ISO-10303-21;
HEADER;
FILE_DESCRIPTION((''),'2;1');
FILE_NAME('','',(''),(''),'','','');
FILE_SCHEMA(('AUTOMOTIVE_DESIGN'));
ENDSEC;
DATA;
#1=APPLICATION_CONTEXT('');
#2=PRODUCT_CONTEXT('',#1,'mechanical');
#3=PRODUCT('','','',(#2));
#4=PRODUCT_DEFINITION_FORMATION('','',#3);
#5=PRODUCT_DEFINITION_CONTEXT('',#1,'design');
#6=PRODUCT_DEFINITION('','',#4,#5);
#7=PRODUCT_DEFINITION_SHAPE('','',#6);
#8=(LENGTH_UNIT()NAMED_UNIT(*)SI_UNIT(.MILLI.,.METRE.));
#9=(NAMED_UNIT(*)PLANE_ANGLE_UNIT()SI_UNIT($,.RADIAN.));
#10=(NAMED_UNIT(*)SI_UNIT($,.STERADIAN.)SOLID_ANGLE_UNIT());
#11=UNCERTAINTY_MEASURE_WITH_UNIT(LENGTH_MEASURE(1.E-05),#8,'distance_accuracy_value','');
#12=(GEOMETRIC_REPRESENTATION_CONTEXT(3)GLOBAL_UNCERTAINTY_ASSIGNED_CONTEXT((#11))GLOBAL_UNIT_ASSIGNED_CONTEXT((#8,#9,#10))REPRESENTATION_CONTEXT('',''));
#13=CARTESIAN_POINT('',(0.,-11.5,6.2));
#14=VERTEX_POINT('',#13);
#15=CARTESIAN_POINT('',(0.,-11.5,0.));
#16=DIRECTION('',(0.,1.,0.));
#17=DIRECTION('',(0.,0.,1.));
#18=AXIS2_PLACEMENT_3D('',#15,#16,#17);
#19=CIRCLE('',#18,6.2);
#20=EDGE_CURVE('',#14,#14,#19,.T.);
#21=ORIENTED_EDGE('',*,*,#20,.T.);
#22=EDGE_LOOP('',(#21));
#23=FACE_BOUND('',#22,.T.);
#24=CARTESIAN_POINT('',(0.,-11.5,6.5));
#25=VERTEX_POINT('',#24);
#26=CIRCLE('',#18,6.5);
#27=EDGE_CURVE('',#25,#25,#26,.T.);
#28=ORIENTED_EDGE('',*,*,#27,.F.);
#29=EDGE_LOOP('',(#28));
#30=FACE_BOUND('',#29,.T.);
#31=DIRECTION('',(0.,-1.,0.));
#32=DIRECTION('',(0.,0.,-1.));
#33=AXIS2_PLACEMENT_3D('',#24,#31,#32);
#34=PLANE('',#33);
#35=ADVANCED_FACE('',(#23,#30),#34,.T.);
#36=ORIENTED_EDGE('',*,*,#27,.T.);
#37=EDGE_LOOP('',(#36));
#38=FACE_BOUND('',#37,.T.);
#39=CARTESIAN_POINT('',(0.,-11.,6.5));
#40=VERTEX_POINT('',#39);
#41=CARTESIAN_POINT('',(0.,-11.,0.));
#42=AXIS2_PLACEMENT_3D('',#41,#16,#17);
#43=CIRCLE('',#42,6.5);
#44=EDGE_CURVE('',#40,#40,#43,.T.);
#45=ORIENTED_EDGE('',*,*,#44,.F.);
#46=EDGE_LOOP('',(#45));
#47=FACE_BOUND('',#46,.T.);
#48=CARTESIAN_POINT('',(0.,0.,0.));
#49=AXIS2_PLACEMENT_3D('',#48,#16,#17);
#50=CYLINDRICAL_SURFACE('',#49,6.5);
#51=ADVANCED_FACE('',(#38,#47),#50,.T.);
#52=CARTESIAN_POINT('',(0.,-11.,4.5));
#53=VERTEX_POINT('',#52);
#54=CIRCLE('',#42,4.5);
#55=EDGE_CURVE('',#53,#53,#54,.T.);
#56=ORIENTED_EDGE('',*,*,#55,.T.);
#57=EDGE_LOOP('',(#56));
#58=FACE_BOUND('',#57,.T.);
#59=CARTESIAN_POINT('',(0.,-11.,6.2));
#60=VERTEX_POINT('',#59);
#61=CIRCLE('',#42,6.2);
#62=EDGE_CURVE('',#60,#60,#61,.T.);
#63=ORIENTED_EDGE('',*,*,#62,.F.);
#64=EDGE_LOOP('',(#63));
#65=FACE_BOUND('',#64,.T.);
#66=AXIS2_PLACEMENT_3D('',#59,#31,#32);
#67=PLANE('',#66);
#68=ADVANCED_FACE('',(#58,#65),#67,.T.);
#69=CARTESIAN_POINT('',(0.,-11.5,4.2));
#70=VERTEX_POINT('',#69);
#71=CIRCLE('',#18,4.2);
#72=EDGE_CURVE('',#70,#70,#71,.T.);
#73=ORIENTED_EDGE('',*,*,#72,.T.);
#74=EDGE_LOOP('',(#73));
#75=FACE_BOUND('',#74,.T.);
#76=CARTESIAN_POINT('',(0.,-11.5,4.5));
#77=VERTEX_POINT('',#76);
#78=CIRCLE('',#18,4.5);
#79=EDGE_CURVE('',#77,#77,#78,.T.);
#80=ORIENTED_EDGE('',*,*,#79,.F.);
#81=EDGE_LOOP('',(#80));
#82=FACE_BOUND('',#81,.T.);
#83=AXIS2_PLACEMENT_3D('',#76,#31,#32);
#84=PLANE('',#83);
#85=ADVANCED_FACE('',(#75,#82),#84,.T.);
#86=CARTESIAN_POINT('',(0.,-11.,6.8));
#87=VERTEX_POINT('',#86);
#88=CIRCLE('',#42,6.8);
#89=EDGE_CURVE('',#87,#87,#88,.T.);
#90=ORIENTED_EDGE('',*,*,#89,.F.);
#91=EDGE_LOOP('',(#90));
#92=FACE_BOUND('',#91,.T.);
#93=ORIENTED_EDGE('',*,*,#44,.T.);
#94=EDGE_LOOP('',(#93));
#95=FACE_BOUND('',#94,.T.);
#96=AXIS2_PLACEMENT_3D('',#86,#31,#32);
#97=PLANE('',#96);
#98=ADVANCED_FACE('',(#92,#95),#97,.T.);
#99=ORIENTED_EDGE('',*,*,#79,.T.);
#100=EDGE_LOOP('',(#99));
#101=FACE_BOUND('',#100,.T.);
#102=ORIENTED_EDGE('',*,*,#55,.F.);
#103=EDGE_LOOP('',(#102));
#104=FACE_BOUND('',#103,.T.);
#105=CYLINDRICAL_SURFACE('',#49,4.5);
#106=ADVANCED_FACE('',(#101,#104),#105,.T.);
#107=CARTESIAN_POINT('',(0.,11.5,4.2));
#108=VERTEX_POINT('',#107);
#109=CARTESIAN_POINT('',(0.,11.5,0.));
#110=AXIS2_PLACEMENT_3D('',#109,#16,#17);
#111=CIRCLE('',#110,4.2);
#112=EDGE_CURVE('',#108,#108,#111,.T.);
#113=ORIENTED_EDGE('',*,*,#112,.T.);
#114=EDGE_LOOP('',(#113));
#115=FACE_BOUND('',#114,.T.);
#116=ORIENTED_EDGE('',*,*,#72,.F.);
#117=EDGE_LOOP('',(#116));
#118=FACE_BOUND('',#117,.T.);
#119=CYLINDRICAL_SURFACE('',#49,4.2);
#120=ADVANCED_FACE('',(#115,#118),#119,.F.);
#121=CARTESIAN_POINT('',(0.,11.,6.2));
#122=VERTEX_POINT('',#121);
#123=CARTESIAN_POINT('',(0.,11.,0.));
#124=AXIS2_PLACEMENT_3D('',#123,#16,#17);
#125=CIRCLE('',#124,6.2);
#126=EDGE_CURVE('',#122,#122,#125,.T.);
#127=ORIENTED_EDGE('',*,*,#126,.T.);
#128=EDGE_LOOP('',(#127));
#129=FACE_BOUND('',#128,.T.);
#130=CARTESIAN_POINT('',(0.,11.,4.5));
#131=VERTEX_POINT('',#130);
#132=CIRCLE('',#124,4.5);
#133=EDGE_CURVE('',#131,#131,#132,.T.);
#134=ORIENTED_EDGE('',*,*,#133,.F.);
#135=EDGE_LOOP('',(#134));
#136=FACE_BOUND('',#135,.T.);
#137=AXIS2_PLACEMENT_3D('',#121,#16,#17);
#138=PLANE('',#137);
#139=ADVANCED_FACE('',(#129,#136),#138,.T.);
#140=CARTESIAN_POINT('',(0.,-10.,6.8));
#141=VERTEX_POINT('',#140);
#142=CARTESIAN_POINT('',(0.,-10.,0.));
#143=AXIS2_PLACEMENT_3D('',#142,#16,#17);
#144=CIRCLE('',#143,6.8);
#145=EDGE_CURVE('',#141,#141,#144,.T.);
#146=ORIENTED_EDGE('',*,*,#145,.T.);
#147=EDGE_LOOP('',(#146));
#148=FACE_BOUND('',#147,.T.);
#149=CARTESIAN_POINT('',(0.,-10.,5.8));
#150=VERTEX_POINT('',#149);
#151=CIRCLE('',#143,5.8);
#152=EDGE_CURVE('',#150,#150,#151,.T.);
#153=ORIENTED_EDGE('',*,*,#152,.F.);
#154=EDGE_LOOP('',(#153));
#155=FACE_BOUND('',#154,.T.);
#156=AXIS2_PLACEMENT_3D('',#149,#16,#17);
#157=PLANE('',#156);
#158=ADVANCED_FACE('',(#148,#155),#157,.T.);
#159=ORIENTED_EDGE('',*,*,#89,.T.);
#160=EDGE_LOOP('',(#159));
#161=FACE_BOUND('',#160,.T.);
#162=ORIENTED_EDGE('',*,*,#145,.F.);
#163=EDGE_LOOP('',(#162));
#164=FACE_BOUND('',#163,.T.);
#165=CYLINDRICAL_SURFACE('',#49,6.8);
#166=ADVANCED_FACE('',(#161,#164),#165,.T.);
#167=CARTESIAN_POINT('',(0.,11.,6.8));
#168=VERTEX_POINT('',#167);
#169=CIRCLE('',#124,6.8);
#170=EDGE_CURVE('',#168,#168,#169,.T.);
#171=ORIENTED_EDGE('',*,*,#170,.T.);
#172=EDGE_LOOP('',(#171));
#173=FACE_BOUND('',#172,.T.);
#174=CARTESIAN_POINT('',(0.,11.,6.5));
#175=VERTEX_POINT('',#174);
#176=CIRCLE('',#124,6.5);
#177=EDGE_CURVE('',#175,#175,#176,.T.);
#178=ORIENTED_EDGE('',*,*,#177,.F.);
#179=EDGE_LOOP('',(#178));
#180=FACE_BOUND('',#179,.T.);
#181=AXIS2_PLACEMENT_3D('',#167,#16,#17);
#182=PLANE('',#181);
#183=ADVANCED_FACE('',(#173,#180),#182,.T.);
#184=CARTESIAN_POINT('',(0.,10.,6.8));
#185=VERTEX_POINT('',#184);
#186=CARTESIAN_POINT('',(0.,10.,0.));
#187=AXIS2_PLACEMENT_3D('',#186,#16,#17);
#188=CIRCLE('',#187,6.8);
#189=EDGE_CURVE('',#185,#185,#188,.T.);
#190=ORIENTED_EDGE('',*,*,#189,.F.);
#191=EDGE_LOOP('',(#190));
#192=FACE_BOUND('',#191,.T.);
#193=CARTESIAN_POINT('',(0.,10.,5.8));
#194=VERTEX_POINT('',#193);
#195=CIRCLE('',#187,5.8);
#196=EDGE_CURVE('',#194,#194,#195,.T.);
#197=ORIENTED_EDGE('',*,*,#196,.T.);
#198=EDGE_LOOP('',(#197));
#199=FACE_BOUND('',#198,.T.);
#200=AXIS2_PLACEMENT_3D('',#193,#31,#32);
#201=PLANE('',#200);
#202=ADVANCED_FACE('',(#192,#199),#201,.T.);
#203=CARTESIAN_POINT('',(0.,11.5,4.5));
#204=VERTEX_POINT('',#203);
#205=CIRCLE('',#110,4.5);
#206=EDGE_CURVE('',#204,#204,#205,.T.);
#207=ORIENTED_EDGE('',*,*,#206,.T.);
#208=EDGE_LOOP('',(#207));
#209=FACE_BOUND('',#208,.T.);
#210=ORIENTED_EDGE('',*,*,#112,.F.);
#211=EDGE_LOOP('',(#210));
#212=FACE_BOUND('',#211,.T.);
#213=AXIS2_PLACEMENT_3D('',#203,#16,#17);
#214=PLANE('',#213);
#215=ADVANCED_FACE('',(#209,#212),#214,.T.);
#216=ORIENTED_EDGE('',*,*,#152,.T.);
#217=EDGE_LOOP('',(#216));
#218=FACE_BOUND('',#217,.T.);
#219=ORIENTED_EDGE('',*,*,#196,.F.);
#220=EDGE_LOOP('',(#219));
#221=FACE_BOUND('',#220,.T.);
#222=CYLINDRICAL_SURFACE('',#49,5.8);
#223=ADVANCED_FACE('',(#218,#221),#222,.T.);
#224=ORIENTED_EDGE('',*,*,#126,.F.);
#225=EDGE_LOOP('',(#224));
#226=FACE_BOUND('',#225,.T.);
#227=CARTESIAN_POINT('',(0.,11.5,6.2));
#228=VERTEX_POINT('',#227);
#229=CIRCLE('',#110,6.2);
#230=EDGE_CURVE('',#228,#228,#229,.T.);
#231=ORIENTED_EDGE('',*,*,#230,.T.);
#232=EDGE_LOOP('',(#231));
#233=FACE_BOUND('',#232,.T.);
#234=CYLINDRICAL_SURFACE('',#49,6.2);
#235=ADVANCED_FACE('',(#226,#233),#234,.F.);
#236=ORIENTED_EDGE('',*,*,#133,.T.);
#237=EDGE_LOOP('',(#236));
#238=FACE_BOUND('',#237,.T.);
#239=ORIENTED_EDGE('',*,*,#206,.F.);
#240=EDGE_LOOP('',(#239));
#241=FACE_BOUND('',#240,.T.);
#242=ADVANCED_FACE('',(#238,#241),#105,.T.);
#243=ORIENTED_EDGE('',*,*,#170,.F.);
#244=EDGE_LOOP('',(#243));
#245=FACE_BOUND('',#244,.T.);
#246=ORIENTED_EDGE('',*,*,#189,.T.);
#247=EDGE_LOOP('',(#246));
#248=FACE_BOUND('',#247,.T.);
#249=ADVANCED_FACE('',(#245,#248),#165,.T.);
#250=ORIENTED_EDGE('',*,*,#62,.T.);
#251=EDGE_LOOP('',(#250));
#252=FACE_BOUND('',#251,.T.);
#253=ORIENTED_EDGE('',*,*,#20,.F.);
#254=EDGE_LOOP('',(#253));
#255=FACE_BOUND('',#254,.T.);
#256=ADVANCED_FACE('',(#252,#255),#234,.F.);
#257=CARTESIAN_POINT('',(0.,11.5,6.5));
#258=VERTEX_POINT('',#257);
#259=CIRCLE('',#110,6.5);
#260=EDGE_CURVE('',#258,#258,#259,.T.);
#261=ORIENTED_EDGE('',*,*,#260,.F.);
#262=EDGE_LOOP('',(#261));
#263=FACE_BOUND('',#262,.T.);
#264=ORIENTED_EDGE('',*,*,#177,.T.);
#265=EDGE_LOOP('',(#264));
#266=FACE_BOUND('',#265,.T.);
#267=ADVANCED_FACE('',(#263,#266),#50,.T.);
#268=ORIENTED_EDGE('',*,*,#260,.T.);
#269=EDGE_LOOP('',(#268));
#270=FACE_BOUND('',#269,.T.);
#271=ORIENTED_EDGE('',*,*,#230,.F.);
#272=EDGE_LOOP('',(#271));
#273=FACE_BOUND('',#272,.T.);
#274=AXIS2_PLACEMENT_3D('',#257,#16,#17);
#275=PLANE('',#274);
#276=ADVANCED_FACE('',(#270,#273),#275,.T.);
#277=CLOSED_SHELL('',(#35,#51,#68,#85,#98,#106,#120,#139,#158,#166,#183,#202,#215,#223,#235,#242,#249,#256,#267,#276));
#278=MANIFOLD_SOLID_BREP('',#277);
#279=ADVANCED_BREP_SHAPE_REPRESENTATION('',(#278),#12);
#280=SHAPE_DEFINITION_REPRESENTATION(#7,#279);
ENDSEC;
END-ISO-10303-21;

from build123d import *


with BuildPart() as part:
    # Sketch1 → Revolve1 (revolve)
    with BuildSketch(Plane.YZ):
        Polygon((11.5, 4.5), (11.5, 4.2), (-11.5, 4.2), (-11.5, 4.5), (-11, 4.5), (-11, 6.2), (-11.5, 6.2), (-11.5, 6.5), (-11, 6.5), (-11, 6.8), (-10, 6.8), (-10, 5.8), (10, 5.8), (10, 6.8), (11, 6.8), (11, 6.5), (11.5, 6.5), (11.5, 6.2), (11, 6.2), (11, 4.5), align=None)
    revolve(axis=Axis((0, 0, 0), (0, 1, 0)))


solid = part.part
